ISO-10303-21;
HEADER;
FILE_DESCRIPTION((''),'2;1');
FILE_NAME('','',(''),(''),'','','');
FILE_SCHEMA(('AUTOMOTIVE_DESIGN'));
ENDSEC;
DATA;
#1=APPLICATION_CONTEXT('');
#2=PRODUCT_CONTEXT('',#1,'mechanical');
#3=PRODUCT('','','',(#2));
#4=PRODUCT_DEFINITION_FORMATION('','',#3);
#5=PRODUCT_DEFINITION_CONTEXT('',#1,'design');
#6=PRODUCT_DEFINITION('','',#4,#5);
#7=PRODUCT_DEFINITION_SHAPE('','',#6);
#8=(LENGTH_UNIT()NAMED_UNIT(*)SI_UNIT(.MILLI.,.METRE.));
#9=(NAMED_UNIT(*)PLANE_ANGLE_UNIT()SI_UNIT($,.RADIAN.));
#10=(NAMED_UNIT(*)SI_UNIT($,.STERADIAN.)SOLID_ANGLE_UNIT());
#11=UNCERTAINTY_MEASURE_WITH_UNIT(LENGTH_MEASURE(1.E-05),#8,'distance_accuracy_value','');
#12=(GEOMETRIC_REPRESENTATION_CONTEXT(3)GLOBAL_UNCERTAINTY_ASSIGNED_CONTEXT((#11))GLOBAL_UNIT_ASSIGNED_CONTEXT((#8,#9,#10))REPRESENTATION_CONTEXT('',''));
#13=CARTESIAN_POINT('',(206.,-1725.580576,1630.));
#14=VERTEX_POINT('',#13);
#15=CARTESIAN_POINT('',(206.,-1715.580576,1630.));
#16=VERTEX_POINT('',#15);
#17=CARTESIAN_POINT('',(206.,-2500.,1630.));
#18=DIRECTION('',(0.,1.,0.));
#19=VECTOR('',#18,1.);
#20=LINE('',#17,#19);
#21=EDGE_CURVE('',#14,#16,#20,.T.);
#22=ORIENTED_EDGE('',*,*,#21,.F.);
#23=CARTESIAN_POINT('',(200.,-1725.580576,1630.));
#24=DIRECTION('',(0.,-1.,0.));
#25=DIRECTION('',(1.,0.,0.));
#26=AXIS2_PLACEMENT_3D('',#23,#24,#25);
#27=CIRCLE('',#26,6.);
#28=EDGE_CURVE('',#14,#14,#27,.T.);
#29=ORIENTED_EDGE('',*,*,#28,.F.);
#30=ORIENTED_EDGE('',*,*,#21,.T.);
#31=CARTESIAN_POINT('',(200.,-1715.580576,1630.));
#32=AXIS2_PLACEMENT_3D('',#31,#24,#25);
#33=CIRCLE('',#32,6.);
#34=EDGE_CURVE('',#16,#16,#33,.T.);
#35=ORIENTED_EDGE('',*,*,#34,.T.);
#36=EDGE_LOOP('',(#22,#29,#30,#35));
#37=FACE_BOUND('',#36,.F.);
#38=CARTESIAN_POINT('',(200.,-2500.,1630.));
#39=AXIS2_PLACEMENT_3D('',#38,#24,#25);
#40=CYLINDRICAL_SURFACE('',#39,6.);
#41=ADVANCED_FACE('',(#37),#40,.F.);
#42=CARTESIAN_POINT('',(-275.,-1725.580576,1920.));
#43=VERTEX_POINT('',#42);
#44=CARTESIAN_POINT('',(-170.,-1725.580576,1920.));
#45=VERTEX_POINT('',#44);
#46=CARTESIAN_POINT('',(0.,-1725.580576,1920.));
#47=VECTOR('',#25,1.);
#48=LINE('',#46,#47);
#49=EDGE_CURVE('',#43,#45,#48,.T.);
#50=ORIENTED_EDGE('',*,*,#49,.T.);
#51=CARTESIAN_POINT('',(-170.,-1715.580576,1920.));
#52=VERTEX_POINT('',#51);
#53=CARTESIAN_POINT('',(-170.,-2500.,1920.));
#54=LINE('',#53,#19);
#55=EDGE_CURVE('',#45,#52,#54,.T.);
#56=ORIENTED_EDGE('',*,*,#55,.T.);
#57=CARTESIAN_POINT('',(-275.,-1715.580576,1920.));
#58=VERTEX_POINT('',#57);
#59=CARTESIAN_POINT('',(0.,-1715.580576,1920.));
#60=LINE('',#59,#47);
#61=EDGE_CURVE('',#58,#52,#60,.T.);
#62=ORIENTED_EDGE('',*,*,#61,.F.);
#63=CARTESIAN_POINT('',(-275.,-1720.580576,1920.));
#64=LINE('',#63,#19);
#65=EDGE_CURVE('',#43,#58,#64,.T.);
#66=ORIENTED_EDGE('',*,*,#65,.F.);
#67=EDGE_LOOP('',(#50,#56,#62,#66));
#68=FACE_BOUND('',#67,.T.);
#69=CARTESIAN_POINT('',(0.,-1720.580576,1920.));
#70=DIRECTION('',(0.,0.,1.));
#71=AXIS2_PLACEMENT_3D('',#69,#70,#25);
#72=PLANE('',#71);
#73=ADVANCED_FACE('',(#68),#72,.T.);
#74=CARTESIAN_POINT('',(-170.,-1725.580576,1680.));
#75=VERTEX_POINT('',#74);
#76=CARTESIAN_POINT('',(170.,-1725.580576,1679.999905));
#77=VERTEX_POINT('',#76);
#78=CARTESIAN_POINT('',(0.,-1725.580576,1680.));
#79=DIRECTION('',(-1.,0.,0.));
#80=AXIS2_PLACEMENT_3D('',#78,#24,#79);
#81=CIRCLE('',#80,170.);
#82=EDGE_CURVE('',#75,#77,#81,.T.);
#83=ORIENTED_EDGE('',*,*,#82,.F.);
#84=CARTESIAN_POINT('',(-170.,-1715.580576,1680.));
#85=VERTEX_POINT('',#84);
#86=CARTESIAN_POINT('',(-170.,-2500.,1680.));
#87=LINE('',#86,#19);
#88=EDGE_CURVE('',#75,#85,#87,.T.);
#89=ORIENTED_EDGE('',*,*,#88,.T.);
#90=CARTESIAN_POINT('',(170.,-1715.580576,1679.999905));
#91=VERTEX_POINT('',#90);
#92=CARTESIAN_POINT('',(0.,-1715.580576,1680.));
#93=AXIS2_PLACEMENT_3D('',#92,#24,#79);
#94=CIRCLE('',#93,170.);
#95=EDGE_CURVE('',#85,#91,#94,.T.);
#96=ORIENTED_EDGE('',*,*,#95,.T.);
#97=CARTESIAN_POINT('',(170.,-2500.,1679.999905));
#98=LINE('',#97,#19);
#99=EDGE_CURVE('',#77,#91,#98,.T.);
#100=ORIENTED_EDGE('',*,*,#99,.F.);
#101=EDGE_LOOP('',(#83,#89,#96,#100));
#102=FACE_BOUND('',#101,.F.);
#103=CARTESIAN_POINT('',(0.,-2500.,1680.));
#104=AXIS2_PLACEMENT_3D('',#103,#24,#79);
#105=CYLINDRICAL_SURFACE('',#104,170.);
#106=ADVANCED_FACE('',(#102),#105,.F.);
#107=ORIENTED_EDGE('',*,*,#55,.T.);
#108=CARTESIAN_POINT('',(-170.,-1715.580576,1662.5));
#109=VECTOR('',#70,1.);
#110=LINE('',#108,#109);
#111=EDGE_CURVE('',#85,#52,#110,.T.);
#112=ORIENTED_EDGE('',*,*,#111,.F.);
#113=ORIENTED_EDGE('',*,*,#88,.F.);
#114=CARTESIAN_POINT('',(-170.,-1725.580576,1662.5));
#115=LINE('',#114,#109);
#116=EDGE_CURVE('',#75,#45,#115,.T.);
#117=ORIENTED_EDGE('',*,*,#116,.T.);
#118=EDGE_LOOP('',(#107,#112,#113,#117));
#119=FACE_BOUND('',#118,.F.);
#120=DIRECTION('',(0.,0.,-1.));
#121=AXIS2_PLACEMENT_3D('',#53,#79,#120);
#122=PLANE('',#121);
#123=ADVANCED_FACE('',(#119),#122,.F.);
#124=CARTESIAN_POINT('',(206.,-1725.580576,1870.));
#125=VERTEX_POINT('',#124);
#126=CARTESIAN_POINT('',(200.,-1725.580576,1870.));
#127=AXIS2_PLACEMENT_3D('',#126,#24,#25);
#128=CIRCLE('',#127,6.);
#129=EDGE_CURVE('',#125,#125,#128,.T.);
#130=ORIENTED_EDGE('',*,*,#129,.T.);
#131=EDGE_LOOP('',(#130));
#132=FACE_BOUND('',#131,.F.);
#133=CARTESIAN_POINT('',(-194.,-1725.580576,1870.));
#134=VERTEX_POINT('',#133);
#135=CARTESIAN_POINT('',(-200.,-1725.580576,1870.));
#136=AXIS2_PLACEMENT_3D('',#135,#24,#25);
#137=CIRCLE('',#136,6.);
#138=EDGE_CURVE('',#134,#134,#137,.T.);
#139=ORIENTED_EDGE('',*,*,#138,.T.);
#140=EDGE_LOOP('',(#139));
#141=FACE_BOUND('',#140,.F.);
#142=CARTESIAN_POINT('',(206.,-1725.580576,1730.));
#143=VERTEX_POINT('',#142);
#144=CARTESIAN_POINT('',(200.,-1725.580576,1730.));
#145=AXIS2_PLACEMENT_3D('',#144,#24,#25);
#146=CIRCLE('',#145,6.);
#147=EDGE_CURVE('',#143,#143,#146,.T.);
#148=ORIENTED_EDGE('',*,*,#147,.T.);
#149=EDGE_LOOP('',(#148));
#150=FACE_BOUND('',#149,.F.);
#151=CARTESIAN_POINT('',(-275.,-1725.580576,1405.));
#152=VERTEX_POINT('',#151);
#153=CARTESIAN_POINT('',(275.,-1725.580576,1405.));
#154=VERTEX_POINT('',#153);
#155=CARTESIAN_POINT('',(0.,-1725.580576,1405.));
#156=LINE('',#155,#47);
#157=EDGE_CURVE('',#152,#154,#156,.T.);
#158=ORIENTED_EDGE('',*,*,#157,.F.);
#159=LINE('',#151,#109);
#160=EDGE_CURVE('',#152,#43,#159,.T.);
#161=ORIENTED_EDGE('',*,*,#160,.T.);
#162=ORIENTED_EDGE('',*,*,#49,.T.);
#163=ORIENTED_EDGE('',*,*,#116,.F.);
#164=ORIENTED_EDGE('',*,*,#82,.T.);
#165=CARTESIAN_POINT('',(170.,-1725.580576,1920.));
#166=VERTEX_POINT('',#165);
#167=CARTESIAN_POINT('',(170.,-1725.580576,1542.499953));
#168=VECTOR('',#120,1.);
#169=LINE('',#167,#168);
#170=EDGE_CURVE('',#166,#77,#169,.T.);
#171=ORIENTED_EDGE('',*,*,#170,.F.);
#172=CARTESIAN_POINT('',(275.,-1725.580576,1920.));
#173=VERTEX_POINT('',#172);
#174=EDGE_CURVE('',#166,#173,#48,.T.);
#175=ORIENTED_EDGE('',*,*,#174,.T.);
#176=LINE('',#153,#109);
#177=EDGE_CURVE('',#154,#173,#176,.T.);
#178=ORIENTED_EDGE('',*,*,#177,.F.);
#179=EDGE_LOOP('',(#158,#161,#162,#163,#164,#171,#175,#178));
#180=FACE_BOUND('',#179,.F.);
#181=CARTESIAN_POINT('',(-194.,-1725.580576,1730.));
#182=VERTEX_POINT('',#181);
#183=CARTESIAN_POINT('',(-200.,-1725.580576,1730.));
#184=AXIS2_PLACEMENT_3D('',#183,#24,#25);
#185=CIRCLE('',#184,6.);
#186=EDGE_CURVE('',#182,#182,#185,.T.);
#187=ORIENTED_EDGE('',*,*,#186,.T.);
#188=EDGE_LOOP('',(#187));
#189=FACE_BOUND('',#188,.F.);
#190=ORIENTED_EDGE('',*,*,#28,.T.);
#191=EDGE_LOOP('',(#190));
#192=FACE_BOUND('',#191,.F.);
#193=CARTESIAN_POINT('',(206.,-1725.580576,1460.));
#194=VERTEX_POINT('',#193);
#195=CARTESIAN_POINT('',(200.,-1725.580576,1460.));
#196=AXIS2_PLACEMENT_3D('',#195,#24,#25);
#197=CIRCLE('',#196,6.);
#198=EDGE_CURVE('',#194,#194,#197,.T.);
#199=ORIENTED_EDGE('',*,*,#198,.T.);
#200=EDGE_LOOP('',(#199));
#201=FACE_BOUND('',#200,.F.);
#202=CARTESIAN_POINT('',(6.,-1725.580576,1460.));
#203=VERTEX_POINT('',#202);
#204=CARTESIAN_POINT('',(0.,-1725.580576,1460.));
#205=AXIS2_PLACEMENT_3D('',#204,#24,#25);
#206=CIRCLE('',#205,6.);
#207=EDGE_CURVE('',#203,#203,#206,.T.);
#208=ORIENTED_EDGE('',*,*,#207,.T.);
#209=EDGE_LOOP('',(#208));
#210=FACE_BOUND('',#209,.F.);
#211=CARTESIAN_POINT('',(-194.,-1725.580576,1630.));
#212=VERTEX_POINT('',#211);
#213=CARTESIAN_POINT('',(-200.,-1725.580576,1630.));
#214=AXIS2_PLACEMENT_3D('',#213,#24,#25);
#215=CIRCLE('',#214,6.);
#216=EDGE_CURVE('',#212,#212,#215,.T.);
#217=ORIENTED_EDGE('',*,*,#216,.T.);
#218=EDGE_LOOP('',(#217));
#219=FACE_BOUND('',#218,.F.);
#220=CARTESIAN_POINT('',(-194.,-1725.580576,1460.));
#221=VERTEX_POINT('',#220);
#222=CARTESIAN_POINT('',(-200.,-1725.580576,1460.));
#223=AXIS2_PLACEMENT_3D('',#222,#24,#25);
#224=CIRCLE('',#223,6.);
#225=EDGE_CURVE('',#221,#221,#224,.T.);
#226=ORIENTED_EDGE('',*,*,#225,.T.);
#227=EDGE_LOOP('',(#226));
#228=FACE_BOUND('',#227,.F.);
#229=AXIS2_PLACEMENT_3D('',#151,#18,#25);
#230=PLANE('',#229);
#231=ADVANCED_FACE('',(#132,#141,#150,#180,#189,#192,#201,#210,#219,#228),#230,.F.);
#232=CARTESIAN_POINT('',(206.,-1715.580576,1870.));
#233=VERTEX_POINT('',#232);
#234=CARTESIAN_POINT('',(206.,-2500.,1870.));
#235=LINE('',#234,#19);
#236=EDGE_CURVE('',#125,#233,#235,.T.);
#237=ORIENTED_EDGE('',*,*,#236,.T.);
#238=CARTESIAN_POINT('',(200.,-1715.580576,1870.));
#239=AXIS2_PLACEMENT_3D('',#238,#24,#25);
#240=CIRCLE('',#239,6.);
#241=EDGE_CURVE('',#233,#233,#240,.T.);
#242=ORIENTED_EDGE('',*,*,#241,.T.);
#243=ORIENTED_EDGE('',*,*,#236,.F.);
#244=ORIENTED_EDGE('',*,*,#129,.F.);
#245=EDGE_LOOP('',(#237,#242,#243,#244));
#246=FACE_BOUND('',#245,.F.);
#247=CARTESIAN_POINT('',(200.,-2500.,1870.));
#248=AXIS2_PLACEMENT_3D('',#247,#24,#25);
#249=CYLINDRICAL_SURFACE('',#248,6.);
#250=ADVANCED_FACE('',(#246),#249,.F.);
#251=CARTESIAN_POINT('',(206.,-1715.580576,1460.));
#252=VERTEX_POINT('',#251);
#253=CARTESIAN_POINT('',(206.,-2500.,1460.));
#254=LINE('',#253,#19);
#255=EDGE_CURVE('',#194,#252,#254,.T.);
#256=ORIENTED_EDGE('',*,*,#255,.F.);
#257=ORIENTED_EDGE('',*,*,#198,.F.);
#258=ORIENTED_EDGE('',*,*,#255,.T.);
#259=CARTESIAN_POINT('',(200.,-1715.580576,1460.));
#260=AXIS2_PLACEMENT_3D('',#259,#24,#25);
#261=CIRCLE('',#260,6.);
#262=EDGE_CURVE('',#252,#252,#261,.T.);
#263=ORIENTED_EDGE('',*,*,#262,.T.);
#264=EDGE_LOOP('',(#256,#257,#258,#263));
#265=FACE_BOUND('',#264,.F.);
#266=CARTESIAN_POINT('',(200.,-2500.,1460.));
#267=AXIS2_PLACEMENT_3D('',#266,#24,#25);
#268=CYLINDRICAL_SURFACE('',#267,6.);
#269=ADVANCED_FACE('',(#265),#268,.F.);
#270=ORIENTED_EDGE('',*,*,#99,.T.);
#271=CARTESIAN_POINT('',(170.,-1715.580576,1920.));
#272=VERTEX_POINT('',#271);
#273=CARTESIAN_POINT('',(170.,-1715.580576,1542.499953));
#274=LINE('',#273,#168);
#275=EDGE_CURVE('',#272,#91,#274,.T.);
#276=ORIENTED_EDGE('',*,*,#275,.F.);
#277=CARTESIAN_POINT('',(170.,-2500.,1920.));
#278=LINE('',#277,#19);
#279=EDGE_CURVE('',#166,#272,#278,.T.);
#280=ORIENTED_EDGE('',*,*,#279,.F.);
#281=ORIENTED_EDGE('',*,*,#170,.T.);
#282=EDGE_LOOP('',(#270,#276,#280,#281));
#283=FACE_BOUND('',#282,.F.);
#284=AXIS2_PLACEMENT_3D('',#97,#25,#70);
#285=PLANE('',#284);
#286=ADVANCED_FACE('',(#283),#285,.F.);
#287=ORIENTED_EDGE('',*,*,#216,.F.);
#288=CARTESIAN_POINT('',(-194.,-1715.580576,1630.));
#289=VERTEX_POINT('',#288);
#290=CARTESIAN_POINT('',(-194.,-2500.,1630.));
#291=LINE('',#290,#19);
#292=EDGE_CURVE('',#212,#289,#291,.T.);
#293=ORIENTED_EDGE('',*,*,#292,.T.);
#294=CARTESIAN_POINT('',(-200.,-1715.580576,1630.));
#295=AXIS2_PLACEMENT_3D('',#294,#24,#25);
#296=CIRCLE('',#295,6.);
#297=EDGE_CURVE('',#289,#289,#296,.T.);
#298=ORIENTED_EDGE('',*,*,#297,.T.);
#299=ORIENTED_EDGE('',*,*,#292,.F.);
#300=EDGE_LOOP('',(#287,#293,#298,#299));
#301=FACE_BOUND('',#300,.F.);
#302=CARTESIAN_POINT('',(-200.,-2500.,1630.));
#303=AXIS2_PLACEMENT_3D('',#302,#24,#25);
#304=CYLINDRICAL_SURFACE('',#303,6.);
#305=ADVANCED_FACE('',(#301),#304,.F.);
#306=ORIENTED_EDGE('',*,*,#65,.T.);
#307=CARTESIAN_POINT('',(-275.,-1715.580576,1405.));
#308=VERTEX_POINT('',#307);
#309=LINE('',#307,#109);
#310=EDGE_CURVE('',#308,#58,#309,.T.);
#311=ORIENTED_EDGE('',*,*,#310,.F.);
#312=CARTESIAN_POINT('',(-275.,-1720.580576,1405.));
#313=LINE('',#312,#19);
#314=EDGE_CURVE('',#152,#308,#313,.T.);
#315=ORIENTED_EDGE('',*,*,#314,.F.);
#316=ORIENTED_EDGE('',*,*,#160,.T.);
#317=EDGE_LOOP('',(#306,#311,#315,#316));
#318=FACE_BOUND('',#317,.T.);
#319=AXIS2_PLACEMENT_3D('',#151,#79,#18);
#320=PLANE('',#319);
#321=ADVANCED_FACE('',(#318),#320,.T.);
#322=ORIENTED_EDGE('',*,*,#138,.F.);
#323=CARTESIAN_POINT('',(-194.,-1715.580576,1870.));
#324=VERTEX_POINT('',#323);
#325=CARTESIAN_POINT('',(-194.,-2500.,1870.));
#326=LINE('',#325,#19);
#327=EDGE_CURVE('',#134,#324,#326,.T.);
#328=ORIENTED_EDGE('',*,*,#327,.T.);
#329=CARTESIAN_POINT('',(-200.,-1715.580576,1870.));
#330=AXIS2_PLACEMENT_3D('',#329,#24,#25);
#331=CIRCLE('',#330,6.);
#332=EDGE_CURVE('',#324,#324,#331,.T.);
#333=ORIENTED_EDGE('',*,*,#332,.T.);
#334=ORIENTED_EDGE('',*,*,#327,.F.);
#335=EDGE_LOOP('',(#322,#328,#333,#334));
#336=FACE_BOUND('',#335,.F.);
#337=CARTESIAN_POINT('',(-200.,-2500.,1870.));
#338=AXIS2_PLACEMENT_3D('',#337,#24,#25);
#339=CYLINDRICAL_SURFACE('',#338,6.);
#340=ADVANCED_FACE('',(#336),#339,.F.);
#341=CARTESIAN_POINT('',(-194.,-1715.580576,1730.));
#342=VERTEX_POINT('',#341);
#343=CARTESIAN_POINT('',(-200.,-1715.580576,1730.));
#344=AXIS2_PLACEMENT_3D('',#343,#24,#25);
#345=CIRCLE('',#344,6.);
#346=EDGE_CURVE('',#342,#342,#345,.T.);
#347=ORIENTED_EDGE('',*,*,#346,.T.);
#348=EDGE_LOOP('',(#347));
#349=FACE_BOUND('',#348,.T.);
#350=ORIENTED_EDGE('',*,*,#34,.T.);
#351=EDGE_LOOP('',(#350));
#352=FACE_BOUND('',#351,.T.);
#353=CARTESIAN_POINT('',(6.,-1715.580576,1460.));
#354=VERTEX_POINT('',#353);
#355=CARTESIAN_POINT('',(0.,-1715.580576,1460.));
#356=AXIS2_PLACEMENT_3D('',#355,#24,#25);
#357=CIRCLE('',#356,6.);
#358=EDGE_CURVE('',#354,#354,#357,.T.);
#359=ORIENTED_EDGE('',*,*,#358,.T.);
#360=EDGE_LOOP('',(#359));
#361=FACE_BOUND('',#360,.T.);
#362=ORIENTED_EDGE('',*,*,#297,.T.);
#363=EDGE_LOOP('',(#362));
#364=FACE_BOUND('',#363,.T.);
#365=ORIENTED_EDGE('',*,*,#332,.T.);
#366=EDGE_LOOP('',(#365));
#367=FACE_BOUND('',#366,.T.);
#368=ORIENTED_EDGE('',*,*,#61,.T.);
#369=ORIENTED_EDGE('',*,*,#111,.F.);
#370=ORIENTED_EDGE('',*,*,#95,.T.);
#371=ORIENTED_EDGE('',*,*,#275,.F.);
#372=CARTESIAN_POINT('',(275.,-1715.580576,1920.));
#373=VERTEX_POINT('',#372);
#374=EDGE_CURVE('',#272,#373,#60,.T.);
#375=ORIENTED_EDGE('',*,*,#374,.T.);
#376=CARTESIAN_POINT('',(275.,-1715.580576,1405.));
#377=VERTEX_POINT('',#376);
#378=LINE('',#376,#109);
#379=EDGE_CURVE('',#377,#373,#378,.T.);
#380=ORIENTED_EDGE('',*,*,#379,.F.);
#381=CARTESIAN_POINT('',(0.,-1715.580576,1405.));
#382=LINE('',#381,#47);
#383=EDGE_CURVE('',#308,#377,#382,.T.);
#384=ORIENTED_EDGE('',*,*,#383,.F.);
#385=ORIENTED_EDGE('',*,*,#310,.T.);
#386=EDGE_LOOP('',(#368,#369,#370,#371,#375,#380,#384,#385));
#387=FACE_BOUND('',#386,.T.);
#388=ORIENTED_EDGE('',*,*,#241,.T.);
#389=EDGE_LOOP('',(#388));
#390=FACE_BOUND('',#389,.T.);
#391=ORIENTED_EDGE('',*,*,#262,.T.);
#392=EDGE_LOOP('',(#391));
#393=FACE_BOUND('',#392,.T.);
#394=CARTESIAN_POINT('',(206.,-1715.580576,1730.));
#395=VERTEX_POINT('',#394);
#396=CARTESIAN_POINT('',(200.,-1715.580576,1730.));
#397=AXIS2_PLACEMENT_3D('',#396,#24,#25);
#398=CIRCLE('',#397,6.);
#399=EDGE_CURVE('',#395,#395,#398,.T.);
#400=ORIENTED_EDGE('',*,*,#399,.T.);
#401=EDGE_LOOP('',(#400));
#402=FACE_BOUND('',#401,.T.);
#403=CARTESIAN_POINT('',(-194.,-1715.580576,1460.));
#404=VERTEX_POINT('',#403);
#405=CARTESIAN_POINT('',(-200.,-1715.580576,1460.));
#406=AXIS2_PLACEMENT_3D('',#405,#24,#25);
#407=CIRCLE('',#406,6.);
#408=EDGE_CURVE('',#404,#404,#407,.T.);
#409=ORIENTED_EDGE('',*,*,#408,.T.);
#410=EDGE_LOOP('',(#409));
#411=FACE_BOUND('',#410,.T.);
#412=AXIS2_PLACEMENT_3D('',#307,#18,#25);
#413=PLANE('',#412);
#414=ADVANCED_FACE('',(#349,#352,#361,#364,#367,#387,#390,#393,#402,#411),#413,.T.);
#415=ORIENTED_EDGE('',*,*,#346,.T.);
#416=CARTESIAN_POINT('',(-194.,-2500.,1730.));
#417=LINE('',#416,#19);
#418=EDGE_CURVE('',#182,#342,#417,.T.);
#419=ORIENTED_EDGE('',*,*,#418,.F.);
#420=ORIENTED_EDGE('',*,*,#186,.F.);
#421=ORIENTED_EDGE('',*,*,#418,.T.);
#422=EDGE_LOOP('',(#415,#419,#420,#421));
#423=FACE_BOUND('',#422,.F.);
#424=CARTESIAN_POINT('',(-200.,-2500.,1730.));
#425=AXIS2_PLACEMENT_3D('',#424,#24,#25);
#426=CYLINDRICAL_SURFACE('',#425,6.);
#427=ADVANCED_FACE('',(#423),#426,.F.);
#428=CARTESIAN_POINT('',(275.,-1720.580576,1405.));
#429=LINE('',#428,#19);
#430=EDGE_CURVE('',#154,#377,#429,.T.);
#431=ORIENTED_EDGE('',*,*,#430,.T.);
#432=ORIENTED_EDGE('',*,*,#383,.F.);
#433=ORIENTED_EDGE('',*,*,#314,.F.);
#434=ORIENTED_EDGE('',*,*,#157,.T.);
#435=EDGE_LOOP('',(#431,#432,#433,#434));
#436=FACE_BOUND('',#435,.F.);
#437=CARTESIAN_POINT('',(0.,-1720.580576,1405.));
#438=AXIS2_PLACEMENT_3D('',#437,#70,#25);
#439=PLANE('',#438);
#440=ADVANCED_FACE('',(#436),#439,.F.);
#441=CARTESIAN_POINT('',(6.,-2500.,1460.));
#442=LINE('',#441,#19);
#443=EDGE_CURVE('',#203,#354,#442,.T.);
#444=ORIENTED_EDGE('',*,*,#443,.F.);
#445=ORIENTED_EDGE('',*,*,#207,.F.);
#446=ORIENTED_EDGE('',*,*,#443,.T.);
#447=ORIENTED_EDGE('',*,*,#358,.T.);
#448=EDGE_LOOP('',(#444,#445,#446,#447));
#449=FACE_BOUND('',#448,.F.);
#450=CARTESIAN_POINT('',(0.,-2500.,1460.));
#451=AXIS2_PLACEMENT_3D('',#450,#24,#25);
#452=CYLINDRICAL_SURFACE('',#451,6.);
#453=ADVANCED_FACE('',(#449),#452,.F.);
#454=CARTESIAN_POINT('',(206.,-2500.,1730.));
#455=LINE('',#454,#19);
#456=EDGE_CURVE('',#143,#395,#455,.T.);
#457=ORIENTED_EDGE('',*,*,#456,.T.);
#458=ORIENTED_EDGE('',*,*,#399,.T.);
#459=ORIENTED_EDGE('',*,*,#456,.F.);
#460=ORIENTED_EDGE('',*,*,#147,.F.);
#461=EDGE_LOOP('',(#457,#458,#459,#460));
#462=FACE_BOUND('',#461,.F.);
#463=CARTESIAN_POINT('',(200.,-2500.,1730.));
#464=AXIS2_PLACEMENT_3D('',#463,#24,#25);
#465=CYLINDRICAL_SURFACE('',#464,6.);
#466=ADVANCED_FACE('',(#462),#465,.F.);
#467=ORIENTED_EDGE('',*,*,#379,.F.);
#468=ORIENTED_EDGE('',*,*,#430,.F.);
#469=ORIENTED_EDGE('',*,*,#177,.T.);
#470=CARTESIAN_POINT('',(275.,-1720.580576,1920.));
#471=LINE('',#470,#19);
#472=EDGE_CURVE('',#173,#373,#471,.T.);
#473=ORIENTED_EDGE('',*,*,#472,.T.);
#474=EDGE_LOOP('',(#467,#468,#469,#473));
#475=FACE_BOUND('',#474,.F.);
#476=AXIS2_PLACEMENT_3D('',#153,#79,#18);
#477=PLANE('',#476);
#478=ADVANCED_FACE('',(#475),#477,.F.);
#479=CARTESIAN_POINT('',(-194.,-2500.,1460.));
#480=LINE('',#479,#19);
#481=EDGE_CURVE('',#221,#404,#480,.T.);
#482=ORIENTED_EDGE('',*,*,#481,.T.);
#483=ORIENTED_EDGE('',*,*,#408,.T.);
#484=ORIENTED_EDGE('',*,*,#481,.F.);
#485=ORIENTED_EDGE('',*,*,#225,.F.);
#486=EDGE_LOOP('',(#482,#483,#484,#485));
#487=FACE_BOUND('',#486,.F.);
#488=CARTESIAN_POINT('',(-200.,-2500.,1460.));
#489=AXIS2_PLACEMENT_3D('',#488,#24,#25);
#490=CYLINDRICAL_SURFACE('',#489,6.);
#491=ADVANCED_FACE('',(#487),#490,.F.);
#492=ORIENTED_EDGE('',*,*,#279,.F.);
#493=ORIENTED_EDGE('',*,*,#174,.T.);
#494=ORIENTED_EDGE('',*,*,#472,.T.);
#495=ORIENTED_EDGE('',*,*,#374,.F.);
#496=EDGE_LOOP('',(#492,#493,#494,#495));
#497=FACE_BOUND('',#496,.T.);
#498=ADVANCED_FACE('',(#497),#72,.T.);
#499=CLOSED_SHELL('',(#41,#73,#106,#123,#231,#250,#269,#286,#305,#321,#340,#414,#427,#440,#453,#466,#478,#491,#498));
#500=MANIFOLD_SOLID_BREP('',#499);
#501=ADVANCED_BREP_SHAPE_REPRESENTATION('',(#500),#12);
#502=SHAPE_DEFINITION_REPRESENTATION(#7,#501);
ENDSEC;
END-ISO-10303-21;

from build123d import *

# Parameters (mm, degrees)
SKETCH005_R      = 6
EXTRUDE004_DEPTH = 1000
EXTRUDE003_DEPTH = 1000
SKETCH003_W      = 550
SKETCH003_H      = 10
EXTRUDE002_DEPTH = 515


with BuildPart() as extrude004:
    # Sketch005 → Extrude004 (new body)
    with BuildSketch(Plane.XZ.offset(2500)):
        with Locations((-200, 1730)):
            Circle(SKETCH005_R)
        with Locations((-200, 1870)):
            Circle(SKETCH005_R)
        with Locations((200, 1870)):
            Circle(SKETCH005_R)
        with Locations((200, 1730)):
            Circle(SKETCH005_R)
        with Locations((-200, 1630)):
            Circle(SKETCH005_R)
        with Locations((-200, 1460)):
            Circle(SKETCH005_R)
        with Locations((200, 1630)):
            Circle(SKETCH005_R)
        with Locations((200, 1460)):
            Circle(SKETCH005_R)
        with Locations((0, 1460)):
            Circle(SKETCH005_R)
    extrude(amount=-EXTRUDE004_DEPTH)


with BuildPart() as extrude003:
    # Sketch004 → Extrude003 (new body)
    with BuildSketch(Plane.XZ.offset(2500)):
        with BuildLine():
            Line((-170, 1920), (-170, 1680))
            ThreePointArc((-170, 1680), (-4.8e-05, 1510), (170, 1679.999905))
            Line((170, 1679.999905), (170, 1920))
            Line((170, 1920), (-170, 1920))
        make_face()
    extrude(amount=-EXTRUDE003_DEPTH)


with BuildPart() as cut002:
    # Sketch003 → Extrude002 (new body)
    with BuildSketch(Plane.XY.offset(1405)):
        with Locations((0, -1720.580576)):
            Rectangle(SKETCH003_W, SKETCH003_H)
    extrude(amount=EXTRUDE002_DEPTH)

    # Cut001: cut Extrude003
    add(extrude003.part, mode=Mode.SUBTRACT)

    # Cut002: cut Extrude004
    add(extrude004.part, mode=Mode.SUBTRACT)


solid = cut002.part
